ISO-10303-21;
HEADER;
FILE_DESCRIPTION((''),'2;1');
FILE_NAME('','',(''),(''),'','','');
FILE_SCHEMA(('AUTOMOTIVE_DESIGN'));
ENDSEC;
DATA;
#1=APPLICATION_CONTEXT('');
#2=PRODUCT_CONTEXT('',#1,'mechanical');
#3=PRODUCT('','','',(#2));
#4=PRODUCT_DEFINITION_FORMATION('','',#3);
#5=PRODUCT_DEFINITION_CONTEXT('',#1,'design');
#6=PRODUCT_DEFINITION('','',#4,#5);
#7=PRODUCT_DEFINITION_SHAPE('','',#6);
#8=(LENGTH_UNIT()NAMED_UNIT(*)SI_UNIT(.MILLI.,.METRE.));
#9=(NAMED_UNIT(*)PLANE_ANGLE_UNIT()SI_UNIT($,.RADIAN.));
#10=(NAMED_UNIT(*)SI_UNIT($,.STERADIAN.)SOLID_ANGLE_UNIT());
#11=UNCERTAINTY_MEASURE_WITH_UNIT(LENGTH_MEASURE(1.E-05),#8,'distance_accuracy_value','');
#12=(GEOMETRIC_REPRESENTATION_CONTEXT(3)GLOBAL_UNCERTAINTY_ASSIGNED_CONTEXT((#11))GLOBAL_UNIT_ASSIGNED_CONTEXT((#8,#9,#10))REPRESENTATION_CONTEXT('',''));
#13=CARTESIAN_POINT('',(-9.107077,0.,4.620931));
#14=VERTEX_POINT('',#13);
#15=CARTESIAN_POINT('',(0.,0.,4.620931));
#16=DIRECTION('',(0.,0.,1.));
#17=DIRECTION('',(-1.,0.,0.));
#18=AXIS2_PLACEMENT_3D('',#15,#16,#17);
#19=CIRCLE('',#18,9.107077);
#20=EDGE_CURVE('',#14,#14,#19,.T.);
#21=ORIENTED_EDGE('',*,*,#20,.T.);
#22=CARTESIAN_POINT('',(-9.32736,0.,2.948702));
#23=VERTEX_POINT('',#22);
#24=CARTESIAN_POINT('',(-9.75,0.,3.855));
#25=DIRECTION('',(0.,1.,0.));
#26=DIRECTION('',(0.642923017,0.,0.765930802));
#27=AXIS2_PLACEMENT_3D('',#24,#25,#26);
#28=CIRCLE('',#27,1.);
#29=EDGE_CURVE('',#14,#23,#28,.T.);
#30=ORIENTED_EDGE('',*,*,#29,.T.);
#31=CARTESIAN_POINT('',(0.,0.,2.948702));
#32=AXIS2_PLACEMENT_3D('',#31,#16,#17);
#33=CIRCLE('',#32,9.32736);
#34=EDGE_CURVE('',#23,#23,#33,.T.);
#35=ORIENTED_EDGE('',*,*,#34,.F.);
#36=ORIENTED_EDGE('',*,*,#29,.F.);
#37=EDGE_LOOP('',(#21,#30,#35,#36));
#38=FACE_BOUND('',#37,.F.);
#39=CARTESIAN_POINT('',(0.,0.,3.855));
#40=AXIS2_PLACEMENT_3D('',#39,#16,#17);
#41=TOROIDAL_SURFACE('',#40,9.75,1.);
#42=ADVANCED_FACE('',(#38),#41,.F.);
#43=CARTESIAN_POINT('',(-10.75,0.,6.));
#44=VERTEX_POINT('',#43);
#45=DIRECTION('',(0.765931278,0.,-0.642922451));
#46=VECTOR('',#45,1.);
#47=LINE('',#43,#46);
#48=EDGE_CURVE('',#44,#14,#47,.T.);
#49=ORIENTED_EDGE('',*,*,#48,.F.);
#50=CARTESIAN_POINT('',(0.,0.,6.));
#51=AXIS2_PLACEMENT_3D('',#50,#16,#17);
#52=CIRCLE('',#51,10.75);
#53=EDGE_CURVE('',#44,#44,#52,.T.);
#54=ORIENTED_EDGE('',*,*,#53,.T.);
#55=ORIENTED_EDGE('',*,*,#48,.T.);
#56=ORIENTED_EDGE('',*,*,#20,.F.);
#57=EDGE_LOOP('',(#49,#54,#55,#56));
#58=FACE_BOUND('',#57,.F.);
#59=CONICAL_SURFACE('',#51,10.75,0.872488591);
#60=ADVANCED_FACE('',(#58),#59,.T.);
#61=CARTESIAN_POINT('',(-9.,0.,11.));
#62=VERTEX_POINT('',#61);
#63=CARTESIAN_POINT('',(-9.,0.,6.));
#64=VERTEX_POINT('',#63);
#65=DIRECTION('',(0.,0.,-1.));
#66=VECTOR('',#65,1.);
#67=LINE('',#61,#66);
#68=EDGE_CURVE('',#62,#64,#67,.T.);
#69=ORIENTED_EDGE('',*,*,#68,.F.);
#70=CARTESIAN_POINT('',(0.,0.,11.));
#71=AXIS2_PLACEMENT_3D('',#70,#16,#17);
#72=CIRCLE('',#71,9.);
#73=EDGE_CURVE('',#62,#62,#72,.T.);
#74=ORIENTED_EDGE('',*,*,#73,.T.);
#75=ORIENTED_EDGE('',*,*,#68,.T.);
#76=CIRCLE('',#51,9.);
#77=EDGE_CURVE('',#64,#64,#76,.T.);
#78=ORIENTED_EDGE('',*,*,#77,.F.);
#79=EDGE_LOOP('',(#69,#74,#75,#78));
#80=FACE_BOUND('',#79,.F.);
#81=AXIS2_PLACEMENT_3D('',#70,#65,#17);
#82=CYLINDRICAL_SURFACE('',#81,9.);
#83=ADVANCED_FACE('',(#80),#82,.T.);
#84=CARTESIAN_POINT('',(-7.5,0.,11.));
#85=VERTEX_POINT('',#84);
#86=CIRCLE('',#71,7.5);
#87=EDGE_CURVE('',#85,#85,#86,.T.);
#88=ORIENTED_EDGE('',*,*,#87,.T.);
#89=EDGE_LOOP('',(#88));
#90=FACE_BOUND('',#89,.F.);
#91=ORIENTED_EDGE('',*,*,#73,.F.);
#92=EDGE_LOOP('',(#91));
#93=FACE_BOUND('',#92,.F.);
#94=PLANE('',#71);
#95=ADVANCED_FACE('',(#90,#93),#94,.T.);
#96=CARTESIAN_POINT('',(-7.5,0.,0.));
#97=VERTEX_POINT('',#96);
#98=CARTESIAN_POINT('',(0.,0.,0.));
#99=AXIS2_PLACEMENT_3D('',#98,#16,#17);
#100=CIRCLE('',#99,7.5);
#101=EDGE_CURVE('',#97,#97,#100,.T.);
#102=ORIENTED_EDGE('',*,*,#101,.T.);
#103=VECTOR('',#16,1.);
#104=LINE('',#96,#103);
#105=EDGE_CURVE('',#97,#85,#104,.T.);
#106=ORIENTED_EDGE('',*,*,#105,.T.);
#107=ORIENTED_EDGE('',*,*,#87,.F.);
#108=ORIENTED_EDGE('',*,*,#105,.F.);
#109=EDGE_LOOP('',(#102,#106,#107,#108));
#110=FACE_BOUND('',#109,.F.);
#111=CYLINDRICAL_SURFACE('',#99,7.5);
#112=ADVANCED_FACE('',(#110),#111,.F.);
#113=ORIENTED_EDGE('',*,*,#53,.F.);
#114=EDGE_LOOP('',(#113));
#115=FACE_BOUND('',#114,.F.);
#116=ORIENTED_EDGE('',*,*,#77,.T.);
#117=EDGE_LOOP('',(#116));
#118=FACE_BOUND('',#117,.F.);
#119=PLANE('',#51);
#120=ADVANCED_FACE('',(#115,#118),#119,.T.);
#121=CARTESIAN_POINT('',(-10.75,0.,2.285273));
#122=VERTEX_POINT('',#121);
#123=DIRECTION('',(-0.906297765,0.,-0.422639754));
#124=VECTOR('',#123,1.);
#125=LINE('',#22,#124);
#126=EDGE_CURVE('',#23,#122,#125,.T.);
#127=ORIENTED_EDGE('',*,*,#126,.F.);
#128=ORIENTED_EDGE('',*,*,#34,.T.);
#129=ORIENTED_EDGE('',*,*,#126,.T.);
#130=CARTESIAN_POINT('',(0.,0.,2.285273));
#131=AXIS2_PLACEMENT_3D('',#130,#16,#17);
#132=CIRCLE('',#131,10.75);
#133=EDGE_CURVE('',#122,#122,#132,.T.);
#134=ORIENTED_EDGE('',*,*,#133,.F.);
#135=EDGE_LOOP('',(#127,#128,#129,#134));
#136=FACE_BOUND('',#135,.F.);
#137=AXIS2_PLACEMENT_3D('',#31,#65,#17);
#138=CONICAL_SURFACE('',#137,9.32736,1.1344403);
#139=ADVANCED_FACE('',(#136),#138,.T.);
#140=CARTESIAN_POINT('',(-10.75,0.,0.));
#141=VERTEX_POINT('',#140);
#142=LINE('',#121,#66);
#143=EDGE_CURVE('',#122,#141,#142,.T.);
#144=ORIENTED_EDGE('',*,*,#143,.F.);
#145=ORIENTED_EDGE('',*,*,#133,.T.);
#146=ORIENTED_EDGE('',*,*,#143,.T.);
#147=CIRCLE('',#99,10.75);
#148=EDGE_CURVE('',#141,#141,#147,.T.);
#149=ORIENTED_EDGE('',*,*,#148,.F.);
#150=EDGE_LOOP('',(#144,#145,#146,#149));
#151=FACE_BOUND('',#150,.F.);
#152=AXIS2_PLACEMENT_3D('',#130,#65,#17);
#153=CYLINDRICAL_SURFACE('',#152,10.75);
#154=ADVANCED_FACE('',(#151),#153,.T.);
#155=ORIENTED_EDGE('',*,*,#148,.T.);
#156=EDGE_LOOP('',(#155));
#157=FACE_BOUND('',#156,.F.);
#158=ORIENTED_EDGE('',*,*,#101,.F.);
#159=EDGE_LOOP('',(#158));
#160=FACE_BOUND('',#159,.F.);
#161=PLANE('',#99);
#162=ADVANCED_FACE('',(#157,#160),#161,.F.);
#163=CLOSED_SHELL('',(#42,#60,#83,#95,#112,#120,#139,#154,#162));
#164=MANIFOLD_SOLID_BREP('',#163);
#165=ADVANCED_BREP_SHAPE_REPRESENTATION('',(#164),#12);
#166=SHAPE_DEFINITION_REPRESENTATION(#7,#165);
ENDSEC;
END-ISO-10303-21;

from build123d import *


with BuildPart() as f1:
    # F0 (on Front) → F1 (revolve)
    with BuildSketch(Plane.XZ):
        with BuildLine():
            Line((-10.75, 0), (-7.5, 0))
            Line((-7.5, 0), (-7.5, 11))
            Line((-7.5, 11), (-9, 11))
            Line((-9, 11), (-9, 6))
            Line((-9, 6), (-10.75, 6))
            Line((-10.75, 6), (-9.107077, 4.620931))
            ThreePointArc((-9.107077, 4.620931), (-8.758565, 3.724398), (-9.32736, 2.948702))
            Line((-9.32736, 2.948702), (-10.75, 2.285273))
            Line((-10.75, 2.285273), (-10.75, 0.665314))
            Line((-10.75, 0.665314), (-10.75, 0))
        make_face()
    revolve(axis=Axis((0, 0, 13.534962), (0, 0, 1)))


solid = f1.part
